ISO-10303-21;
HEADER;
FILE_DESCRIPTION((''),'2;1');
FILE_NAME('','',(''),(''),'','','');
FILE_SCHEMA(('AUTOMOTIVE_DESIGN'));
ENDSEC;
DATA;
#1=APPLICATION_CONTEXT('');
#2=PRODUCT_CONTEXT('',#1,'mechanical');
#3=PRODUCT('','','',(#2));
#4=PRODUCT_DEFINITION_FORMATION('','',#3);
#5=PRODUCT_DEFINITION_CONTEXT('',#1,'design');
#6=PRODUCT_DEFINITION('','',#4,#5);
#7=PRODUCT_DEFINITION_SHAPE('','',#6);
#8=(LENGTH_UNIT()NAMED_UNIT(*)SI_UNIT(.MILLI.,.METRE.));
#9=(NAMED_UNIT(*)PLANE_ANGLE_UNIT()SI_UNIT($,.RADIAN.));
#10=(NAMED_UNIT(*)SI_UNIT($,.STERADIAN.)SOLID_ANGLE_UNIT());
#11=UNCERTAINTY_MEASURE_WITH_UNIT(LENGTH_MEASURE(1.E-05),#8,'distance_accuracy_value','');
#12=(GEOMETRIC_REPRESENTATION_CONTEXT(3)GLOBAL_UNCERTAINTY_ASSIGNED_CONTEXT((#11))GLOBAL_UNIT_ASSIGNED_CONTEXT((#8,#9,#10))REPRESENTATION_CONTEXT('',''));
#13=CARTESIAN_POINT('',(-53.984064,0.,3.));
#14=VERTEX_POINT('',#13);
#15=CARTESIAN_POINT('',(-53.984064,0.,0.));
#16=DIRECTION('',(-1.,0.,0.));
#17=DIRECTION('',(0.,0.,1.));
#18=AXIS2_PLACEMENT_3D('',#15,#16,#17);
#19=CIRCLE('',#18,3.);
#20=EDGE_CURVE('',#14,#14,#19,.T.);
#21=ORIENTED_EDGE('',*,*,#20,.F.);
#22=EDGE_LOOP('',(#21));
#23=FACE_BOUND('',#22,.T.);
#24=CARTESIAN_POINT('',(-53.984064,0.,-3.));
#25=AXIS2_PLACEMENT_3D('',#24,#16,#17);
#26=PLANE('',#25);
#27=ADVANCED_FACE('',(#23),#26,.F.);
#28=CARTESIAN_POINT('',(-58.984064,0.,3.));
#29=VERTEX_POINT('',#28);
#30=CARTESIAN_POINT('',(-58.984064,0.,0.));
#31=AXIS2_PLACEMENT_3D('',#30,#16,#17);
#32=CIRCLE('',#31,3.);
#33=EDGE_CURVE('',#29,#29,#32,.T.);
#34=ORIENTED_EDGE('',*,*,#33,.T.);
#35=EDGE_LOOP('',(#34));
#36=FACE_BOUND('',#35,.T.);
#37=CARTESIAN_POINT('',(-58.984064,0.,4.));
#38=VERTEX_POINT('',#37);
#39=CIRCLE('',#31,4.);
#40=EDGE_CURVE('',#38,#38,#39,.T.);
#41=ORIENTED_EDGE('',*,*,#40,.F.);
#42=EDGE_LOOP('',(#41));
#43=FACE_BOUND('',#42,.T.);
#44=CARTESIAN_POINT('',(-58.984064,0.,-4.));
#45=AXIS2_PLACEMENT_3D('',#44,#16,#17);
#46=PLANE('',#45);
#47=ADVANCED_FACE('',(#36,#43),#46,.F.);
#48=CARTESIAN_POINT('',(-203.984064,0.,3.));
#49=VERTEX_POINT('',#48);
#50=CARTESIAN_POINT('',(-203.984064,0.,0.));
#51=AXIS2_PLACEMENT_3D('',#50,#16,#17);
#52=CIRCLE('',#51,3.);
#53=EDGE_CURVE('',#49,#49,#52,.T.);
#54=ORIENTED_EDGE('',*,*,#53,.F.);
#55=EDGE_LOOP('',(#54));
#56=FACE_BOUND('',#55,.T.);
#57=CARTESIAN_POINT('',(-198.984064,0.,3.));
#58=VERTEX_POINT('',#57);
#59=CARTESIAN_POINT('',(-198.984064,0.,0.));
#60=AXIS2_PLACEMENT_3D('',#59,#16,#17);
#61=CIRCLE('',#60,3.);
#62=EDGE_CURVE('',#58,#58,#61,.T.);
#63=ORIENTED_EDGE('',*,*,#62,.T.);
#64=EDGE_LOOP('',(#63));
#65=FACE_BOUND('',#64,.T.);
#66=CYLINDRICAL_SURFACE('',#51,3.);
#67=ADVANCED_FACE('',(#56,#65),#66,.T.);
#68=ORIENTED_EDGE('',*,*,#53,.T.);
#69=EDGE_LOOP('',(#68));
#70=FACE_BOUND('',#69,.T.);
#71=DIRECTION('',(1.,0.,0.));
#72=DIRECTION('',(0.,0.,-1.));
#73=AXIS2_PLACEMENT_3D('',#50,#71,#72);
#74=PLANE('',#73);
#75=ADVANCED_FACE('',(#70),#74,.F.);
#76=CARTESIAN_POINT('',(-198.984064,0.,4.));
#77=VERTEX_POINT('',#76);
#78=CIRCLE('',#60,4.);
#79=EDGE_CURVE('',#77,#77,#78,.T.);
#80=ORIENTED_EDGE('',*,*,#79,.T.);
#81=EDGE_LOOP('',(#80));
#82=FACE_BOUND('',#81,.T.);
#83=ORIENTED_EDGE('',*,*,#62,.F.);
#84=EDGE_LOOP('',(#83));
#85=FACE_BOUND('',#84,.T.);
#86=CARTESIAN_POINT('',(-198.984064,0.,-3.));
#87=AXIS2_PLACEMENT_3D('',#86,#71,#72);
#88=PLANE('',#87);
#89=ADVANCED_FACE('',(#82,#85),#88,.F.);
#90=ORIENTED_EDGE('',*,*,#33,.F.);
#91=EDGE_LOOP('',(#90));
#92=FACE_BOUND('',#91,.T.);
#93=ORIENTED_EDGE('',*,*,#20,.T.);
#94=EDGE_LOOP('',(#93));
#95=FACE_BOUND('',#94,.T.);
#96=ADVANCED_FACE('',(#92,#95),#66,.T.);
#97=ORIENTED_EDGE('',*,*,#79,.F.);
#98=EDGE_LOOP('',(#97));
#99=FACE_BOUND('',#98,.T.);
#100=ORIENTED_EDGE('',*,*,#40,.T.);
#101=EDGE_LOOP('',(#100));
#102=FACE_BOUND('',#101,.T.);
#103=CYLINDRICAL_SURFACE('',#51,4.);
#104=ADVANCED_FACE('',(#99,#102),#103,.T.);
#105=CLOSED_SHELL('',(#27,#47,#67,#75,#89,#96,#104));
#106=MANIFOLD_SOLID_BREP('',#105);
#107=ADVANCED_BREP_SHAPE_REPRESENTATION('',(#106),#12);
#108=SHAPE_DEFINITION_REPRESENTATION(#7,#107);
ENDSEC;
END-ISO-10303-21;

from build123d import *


with BuildPart() as part:
    # Sketch1 → Revolve1 (revolve)
    with BuildSketch(Plane(origin=(0, 0, 0), x_dir=(1, 0, 0), z_dir=(0, 1, 0)), mode=Mode.PRIVATE) as revolve1_sk:
        Polygon((-203.984063745, 0), (-203.984063745, 3), (-198.984063745, 3), (-198.984063745, 4), (-58.984063745, 4), (-58.984063745, 3), (-53.984063745, 3), (-53.984063745, 0), align=None)
    revolve(revolve1_sk.sketch.rotate(Axis((-203.984063745, 0, 0), (1, 0, 0)), 180), axis=Axis((-203.984063745, 0, 0), (1, 0, 0)))


solid = part.part
